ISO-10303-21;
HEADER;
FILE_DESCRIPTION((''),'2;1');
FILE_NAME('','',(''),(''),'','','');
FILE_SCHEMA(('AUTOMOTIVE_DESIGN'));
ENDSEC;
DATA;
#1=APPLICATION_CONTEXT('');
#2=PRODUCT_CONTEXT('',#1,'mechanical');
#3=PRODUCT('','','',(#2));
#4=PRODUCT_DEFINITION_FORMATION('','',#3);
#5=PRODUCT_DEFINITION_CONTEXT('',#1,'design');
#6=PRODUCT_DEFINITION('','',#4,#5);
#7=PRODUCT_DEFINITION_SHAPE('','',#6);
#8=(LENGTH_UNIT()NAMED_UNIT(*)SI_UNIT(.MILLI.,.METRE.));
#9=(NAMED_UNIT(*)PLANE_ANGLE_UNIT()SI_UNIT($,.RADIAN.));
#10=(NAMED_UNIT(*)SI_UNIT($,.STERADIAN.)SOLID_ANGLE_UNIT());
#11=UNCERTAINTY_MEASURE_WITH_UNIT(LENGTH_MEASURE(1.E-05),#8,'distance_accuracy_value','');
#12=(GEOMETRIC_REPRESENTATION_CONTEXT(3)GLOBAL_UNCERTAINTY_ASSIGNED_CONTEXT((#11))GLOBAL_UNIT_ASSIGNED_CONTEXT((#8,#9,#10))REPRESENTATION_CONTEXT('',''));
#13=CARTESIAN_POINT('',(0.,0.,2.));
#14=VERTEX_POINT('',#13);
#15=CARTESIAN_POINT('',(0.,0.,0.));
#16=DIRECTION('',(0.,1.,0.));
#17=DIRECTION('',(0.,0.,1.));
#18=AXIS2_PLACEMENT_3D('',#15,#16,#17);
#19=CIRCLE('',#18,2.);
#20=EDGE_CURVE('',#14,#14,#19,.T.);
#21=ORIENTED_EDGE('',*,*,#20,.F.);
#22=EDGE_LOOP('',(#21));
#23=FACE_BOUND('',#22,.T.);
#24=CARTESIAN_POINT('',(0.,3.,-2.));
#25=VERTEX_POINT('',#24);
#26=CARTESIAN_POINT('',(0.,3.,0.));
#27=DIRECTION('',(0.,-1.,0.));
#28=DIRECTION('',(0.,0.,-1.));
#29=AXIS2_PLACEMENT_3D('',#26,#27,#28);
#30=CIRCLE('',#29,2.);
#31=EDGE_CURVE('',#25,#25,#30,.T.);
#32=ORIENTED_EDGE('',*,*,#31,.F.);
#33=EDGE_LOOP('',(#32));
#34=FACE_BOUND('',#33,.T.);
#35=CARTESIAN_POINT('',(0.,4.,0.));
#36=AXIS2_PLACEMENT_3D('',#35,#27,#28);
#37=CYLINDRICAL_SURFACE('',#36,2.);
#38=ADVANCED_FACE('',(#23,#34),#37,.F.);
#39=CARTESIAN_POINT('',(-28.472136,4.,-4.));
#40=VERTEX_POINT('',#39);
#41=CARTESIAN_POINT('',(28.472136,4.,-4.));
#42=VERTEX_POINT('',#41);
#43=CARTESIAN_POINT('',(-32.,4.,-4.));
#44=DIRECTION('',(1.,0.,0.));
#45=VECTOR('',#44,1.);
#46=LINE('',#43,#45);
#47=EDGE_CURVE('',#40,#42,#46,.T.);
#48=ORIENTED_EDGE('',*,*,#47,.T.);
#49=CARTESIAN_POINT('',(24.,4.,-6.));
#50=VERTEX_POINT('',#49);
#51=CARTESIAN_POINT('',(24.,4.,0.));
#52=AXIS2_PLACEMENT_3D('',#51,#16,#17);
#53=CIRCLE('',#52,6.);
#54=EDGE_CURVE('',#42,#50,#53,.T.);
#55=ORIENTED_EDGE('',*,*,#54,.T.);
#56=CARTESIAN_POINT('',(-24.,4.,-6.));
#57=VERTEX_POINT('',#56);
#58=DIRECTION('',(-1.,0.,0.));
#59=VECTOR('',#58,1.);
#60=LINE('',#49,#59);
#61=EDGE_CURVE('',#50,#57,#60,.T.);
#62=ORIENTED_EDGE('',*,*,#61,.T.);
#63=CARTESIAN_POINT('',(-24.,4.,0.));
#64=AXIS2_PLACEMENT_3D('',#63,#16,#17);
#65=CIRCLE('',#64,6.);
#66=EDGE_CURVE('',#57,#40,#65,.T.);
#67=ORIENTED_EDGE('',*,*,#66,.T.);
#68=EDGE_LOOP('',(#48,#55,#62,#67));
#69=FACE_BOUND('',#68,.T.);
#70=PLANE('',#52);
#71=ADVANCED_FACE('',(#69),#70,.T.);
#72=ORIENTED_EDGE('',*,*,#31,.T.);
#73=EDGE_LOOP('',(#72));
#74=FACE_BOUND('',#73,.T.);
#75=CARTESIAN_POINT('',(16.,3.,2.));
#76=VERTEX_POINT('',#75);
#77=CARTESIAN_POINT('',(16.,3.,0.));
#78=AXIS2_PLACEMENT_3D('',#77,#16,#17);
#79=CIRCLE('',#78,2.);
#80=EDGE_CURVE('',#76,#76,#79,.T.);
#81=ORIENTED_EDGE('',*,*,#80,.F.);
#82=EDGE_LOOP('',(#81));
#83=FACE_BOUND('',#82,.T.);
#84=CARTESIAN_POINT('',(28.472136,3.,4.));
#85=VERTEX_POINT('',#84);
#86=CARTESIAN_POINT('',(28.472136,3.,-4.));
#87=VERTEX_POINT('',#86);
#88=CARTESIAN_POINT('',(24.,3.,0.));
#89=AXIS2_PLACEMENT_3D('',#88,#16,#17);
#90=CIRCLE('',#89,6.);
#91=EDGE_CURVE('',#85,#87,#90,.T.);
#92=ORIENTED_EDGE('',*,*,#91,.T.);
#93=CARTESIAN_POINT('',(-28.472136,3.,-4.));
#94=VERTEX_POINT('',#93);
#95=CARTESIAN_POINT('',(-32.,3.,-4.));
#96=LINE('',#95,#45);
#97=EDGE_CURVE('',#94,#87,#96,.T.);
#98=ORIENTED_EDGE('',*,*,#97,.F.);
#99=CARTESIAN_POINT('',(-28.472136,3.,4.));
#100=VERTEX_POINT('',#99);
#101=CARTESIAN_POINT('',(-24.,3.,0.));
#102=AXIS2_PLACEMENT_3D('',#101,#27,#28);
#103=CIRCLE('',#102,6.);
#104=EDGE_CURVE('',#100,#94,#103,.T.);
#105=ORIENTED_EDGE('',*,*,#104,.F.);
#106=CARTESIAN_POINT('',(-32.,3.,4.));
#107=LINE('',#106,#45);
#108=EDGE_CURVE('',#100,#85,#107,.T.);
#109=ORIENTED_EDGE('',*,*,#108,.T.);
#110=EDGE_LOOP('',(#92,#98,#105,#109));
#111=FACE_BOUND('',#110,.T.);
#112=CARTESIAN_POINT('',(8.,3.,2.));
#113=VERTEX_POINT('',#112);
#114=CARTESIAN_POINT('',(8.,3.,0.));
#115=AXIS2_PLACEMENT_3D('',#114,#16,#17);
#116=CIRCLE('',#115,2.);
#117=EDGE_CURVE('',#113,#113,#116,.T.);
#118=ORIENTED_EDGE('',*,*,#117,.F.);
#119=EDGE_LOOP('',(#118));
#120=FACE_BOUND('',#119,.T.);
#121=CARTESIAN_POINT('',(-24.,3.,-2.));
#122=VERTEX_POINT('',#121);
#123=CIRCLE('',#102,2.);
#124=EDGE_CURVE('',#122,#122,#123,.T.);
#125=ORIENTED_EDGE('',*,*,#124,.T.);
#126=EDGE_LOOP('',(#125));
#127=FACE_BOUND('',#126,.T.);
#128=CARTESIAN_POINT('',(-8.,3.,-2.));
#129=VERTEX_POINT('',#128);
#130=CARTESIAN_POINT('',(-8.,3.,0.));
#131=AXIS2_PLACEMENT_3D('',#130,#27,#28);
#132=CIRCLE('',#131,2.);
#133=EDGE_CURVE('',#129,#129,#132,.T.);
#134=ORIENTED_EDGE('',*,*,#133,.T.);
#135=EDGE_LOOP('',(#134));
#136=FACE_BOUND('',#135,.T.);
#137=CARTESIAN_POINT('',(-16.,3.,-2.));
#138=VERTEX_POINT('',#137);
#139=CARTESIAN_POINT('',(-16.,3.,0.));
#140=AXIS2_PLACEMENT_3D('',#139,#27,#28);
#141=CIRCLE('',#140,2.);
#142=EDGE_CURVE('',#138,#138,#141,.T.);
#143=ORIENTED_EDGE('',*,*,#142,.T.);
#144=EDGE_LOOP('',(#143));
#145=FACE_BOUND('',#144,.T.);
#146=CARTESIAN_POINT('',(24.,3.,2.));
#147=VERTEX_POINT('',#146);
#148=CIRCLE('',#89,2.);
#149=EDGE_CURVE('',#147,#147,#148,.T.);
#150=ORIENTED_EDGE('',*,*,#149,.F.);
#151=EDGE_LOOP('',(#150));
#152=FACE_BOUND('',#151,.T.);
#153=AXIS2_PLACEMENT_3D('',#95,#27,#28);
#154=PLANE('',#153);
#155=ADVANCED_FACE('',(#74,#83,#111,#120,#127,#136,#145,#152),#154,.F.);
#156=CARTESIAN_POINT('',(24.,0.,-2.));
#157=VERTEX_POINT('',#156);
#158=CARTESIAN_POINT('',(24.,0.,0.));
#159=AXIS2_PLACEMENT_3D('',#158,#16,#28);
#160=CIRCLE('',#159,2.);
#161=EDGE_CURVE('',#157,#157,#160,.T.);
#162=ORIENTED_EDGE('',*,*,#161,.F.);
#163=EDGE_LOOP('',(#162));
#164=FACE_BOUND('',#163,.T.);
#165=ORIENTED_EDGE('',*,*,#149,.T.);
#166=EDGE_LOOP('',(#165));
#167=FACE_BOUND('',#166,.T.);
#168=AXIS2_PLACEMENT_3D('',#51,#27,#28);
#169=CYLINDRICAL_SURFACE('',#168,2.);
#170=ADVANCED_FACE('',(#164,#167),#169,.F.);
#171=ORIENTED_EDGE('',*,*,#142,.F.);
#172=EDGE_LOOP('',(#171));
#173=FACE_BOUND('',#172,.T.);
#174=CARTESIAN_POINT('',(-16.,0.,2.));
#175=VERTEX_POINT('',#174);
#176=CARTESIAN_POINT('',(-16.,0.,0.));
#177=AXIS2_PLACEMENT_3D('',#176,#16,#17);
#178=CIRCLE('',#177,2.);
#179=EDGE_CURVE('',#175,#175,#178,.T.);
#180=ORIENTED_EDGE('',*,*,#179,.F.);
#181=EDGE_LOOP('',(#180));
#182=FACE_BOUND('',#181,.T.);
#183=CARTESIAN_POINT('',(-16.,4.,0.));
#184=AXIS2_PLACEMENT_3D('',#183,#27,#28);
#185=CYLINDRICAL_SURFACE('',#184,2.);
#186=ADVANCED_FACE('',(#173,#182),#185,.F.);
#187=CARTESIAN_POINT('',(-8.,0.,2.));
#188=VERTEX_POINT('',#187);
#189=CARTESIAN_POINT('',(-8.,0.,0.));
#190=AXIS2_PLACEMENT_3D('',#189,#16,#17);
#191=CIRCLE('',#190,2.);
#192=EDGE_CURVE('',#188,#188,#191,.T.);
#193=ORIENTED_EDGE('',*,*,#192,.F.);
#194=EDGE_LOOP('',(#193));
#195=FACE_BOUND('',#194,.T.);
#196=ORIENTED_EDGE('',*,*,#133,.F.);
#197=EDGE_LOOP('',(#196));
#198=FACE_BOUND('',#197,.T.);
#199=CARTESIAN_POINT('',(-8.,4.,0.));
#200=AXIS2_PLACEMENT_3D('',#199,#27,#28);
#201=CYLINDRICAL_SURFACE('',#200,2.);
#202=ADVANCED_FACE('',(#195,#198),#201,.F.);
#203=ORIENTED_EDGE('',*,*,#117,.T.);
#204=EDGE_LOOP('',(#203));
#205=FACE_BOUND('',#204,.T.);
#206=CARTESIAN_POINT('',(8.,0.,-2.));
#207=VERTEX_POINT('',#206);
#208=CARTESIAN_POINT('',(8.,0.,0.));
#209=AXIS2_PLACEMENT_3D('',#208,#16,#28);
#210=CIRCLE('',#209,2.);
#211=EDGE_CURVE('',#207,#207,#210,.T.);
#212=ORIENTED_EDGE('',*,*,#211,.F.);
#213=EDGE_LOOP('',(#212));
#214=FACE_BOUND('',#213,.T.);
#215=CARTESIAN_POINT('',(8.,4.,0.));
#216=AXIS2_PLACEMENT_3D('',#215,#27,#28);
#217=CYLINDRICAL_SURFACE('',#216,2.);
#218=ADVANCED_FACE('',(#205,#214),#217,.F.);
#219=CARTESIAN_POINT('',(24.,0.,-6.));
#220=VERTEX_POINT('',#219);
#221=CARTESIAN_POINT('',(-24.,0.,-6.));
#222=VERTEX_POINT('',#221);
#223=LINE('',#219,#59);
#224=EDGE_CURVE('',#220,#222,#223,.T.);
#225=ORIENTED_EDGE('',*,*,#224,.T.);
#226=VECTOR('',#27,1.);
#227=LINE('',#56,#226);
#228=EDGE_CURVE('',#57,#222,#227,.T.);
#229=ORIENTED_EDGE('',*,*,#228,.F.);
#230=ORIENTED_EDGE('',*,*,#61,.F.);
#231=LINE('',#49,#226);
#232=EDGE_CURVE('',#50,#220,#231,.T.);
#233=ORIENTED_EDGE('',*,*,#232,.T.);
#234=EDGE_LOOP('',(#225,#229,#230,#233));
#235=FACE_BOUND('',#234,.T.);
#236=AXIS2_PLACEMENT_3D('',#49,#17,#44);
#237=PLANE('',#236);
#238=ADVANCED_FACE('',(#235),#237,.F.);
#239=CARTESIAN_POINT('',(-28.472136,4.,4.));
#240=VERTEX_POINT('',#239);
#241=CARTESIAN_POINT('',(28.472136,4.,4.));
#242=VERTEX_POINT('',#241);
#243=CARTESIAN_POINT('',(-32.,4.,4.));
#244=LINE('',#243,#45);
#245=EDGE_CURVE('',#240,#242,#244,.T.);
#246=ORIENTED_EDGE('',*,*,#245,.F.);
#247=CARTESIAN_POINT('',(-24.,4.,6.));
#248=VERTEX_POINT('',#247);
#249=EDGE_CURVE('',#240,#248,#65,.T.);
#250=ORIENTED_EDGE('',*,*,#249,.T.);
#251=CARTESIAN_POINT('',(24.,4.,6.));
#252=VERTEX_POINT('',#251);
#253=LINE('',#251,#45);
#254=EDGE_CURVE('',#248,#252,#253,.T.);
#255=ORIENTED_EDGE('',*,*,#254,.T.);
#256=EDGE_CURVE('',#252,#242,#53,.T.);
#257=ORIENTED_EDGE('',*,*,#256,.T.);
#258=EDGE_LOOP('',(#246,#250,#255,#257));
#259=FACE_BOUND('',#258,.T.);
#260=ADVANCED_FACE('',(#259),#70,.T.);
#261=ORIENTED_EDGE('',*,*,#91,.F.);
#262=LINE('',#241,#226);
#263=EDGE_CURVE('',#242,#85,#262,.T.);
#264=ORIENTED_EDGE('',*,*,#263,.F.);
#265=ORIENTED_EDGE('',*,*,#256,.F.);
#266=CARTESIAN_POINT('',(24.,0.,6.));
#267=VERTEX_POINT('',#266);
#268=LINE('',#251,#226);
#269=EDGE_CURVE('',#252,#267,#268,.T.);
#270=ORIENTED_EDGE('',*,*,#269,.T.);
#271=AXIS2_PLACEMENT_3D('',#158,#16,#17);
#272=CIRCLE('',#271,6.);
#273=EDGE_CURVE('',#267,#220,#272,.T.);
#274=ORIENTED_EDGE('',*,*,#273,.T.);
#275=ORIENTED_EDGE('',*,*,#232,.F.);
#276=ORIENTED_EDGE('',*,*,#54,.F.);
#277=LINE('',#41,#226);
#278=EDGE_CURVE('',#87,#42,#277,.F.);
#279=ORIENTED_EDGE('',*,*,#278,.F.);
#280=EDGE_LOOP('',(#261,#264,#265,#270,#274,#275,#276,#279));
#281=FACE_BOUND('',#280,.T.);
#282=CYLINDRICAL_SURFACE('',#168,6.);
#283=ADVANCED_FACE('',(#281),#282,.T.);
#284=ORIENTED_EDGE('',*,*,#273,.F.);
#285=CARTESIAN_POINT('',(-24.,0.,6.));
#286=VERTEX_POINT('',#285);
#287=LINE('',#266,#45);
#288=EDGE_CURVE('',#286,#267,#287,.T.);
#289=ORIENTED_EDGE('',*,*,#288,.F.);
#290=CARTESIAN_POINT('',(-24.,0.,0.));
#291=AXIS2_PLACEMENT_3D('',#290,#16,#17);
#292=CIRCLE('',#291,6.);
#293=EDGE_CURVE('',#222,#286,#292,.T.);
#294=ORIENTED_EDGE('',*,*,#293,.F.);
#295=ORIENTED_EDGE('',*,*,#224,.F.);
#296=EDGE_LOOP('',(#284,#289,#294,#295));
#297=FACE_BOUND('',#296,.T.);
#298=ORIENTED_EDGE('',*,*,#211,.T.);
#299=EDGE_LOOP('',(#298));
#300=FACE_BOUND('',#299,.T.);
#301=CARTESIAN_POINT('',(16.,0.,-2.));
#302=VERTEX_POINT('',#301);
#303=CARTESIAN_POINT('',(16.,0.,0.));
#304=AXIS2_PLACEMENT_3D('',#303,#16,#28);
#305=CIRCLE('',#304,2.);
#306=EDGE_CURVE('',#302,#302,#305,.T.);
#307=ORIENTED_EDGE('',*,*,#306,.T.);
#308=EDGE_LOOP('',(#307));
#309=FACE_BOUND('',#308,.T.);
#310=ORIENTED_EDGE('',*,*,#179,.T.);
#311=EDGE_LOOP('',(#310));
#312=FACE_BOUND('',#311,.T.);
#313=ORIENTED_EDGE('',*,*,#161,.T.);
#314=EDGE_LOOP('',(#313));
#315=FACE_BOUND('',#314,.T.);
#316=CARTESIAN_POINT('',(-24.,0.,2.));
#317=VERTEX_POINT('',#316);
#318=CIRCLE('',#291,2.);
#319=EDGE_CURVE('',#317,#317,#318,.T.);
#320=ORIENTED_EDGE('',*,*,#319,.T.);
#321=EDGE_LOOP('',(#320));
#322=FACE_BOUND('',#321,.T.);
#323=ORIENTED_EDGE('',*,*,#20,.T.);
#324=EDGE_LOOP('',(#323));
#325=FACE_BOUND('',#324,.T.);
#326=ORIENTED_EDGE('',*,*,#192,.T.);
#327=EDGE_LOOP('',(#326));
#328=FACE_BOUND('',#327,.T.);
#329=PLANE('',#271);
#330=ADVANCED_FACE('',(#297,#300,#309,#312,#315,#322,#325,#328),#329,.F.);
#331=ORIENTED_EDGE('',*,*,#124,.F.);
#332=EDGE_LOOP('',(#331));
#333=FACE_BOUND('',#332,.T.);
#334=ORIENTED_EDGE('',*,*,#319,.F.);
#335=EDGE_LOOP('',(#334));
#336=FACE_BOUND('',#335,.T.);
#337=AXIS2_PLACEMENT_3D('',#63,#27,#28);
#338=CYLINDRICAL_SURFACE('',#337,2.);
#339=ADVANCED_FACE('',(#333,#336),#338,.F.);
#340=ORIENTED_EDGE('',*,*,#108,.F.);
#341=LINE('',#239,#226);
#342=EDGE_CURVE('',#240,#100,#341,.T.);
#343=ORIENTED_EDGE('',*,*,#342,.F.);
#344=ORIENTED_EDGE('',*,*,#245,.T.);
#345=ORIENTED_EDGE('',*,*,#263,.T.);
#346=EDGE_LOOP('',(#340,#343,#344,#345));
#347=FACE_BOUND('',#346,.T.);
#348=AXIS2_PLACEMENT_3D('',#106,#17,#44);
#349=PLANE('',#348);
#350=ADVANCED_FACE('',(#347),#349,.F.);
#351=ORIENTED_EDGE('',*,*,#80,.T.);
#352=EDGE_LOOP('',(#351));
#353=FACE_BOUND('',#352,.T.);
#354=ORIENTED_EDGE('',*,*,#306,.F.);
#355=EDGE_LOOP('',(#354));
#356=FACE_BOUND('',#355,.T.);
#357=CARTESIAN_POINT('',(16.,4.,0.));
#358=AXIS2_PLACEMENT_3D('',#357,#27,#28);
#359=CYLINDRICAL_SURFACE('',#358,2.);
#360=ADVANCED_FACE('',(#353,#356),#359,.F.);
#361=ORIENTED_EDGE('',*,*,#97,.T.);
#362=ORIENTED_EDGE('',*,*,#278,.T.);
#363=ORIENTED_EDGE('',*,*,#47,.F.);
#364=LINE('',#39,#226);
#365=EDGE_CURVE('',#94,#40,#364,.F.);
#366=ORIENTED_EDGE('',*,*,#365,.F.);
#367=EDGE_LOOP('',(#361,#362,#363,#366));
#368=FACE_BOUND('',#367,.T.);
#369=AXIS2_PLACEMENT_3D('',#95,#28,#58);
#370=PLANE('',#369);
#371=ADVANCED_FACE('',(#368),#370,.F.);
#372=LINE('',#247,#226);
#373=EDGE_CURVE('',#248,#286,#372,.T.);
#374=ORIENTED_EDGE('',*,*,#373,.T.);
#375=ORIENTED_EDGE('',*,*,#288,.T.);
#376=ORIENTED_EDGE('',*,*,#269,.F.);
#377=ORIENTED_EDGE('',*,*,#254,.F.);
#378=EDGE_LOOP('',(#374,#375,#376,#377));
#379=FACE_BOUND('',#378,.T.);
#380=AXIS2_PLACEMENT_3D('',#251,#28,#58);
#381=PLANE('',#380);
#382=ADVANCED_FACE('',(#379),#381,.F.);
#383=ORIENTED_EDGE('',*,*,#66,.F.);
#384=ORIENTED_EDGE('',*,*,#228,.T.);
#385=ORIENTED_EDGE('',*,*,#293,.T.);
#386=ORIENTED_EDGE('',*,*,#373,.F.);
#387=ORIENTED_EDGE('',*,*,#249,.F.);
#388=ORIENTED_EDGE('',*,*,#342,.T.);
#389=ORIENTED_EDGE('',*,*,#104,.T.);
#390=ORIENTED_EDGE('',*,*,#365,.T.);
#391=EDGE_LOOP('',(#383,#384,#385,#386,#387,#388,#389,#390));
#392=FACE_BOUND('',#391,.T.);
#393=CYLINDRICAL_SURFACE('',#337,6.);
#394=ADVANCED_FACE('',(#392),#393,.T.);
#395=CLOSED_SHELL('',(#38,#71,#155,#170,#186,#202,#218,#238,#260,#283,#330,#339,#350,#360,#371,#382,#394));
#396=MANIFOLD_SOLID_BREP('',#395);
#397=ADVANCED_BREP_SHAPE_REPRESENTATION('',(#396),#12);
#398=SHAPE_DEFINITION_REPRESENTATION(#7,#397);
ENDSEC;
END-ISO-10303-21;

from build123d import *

# Parameters (mm, degrees)
SKETCH1_R           = 2
BOSS_EXTRUDE1_DEPTH = 4
SKETCH2_W           = 8
SKETCH2_H           = 1
CUT_EXTRUDE1_DEPTH  = 32
SKETCH2_2_W         = 8
SKETCH2_2_H         = 1
CUT_EXTRUDE2_DEPTH  = 35


with BuildPart() as part:
    # Sketch1 → Boss-Extrude1 (new body)
    with BuildSketch(Plane(origin=(0, 0, 0), x_dir=(1, 0, 0), z_dir=(0, 1, 0))):
        with BuildLine():
            Line((24, -6), (-24, -6))
            ThreePointArc((-24, -6), (-30, 0), (-24, 6))
            Line((-24, 6), (24, 6))
            ThreePointArc((24, 6), (30, 0), (24, -6))
        make_face()
        with Locations((-24, 0)):
            Circle(SKETCH1_R, mode=Mode.SUBTRACT)
        with Locations((-16, 0)):
            Circle(SKETCH1_R, mode=Mode.SUBTRACT)
        with Locations((-8, 0)):
            Circle(SKETCH1_R, mode=Mode.SUBTRACT)
        Circle(SKETCH1_R, mode=Mode.SUBTRACT)
        with Locations((8, 0)):
            Circle(SKETCH1_R, mode=Mode.SUBTRACT)
        with Locations((16, 0)):
            Circle(SKETCH1_R, mode=Mode.SUBTRACT)
        with Locations((24, 0)):
            Circle(SKETCH1_R, mode=Mode.SUBTRACT)
    extrude(amount=BOSS_EXTRUDE1_DEPTH)

    # Sketch2 → Cut-Extrude1 (cut)
    with BuildSketch(Plane(origin=(0, 0, 0), x_dir=(0, 0, -1), z_dir=(1, 0, 0))):
        with Locations((0, 3.5)):
            Rectangle(SKETCH2_W, SKETCH2_H)
    extrude(amount=-CUT_EXTRUDE1_DEPTH, mode=Mode.SUBTRACT)

    # Sketch2<2> → Cut-Extrude2 (cut)
    with BuildSketch(Plane(origin=(0, 0, 0), x_dir=(0, 0, -1), z_dir=(1, 0, 0))):
        with Locations((0, 3.5)):
            Rectangle(SKETCH2_2_W, SKETCH2_2_H)
    extrude(amount=CUT_EXTRUDE2_DEPTH, mode=Mode.SUBTRACT)


solid = part.part
